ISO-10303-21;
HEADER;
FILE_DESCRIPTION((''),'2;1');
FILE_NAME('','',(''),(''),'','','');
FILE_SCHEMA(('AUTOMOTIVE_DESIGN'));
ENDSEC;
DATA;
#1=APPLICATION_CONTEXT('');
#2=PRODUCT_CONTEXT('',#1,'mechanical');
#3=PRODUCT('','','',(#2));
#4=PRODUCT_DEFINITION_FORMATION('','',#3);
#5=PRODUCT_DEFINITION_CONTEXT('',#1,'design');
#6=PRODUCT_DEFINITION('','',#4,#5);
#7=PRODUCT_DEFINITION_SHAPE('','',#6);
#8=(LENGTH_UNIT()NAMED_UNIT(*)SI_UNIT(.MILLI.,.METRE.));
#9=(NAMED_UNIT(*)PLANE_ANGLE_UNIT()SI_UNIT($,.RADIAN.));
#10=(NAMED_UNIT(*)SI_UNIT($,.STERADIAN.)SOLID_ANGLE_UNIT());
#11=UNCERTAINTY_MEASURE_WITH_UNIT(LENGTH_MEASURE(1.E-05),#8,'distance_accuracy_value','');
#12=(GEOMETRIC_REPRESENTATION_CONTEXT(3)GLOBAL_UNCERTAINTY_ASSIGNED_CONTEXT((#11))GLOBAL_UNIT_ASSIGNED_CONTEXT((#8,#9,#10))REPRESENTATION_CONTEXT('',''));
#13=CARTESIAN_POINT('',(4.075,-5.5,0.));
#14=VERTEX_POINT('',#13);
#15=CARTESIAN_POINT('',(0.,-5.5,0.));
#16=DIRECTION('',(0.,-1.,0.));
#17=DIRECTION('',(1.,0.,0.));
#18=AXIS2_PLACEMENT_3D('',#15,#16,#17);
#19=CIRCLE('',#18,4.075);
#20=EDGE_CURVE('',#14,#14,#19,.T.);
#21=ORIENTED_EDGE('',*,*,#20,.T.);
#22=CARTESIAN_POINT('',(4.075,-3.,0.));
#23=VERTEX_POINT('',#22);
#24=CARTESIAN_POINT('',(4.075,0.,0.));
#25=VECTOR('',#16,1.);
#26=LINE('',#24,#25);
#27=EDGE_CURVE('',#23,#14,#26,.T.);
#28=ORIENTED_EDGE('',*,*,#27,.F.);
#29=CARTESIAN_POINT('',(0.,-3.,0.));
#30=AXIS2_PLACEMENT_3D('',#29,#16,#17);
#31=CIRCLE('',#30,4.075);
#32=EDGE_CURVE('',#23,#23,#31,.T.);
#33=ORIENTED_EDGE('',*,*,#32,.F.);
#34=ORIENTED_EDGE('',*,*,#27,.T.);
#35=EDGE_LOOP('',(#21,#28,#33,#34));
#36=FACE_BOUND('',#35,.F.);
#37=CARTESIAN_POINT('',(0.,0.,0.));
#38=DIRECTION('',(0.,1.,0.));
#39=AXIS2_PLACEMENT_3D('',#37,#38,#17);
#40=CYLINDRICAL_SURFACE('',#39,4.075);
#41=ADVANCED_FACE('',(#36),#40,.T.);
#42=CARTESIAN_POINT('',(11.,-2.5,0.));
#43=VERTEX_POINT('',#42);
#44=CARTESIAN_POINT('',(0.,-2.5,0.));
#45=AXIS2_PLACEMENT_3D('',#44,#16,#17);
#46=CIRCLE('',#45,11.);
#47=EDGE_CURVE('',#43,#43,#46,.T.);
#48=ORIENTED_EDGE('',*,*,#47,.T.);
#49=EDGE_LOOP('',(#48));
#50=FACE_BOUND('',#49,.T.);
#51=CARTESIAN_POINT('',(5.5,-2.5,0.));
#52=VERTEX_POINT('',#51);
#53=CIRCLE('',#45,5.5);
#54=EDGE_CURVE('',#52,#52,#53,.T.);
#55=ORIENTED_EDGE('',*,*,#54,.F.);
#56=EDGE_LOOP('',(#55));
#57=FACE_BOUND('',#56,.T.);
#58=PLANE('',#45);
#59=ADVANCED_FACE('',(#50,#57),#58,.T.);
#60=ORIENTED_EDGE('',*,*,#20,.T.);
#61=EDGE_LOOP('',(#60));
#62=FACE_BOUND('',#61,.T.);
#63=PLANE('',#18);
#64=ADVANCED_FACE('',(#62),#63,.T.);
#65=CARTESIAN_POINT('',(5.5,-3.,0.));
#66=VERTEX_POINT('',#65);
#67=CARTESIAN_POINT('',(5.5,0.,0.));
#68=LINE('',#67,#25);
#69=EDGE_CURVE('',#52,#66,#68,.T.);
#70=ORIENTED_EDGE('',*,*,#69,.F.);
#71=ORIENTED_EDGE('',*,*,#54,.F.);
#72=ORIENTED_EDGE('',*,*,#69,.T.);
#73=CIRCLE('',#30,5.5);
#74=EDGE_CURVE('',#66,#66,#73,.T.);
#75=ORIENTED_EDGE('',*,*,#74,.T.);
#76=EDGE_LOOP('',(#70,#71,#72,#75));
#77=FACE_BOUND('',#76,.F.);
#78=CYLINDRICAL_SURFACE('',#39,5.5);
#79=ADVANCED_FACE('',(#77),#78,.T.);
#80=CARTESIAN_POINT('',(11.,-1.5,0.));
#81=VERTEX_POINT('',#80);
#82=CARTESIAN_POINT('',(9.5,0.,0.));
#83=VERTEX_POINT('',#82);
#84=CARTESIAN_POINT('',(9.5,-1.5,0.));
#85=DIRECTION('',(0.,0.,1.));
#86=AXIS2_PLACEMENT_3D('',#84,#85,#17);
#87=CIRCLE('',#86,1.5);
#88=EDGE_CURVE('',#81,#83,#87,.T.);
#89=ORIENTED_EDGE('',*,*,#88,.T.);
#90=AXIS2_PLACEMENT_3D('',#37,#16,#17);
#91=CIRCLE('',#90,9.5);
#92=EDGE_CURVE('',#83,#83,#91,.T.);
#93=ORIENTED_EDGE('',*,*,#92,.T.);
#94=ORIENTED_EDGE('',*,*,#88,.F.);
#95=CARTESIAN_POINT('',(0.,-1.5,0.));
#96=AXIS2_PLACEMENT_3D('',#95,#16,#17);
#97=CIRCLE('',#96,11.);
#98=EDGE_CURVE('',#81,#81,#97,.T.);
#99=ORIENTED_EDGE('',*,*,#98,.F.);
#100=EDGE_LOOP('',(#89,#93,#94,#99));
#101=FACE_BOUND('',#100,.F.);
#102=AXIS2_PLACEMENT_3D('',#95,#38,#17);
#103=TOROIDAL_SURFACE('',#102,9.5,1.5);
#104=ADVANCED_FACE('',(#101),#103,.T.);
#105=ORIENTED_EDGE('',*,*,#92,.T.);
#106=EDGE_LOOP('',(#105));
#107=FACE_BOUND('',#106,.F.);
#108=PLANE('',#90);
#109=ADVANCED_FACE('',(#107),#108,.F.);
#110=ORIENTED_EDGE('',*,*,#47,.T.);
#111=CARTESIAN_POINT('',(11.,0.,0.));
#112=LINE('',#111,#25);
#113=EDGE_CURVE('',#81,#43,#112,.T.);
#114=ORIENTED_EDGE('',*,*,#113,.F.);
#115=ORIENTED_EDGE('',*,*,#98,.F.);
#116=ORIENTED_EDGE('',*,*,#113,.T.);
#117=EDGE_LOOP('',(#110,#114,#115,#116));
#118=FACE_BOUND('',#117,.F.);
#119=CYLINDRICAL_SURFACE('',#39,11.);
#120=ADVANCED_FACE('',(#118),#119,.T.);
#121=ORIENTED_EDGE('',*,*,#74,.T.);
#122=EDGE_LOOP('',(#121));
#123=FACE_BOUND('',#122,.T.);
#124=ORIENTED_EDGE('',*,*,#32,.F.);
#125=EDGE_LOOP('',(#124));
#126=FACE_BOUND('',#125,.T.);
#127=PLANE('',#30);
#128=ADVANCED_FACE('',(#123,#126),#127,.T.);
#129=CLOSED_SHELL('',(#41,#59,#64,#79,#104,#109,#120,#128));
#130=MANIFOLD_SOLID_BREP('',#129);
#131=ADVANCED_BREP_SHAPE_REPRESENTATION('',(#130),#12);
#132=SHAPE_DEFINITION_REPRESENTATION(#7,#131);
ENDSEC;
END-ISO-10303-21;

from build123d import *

# Parameters (mm, degrees)
F0_R     = 11
F0_R_2   = 5.5
F1_DEPTH = 2.5
F0_R_3   = 4.075
F2_DEPTH = 3
F3_DEPTH = 5.5
F4_R     = 1.5


with BuildPart() as f1:
    # F0 (on Front) → F1 (new body)
    with BuildSketch(Plane.XZ):
        Circle(F0_R)
        Circle(F0_R_2, mode=Mode.SUBTRACT)
    extrude(amount=F1_DEPTH)

    # F0 (on Front) → F2 (join)
    with BuildSketch(Plane.XZ):
        Circle(F0_R_2)
        Circle(F0_R_3, mode=Mode.SUBTRACT)
    extrude(amount=F2_DEPTH)

    # F0 (on Front) → F3 (join)
    with BuildSketch(Plane.XZ):
        Circle(F0_R_3)
    extrude(amount=F3_DEPTH)

    # F4
    f4_edges = [f1.edges().sort_by_distance(p)[0] for p in [
        (-11, 0, 0),
    ]]
    fillet(f4_edges, radius=F4_R)


solid = f1.part
